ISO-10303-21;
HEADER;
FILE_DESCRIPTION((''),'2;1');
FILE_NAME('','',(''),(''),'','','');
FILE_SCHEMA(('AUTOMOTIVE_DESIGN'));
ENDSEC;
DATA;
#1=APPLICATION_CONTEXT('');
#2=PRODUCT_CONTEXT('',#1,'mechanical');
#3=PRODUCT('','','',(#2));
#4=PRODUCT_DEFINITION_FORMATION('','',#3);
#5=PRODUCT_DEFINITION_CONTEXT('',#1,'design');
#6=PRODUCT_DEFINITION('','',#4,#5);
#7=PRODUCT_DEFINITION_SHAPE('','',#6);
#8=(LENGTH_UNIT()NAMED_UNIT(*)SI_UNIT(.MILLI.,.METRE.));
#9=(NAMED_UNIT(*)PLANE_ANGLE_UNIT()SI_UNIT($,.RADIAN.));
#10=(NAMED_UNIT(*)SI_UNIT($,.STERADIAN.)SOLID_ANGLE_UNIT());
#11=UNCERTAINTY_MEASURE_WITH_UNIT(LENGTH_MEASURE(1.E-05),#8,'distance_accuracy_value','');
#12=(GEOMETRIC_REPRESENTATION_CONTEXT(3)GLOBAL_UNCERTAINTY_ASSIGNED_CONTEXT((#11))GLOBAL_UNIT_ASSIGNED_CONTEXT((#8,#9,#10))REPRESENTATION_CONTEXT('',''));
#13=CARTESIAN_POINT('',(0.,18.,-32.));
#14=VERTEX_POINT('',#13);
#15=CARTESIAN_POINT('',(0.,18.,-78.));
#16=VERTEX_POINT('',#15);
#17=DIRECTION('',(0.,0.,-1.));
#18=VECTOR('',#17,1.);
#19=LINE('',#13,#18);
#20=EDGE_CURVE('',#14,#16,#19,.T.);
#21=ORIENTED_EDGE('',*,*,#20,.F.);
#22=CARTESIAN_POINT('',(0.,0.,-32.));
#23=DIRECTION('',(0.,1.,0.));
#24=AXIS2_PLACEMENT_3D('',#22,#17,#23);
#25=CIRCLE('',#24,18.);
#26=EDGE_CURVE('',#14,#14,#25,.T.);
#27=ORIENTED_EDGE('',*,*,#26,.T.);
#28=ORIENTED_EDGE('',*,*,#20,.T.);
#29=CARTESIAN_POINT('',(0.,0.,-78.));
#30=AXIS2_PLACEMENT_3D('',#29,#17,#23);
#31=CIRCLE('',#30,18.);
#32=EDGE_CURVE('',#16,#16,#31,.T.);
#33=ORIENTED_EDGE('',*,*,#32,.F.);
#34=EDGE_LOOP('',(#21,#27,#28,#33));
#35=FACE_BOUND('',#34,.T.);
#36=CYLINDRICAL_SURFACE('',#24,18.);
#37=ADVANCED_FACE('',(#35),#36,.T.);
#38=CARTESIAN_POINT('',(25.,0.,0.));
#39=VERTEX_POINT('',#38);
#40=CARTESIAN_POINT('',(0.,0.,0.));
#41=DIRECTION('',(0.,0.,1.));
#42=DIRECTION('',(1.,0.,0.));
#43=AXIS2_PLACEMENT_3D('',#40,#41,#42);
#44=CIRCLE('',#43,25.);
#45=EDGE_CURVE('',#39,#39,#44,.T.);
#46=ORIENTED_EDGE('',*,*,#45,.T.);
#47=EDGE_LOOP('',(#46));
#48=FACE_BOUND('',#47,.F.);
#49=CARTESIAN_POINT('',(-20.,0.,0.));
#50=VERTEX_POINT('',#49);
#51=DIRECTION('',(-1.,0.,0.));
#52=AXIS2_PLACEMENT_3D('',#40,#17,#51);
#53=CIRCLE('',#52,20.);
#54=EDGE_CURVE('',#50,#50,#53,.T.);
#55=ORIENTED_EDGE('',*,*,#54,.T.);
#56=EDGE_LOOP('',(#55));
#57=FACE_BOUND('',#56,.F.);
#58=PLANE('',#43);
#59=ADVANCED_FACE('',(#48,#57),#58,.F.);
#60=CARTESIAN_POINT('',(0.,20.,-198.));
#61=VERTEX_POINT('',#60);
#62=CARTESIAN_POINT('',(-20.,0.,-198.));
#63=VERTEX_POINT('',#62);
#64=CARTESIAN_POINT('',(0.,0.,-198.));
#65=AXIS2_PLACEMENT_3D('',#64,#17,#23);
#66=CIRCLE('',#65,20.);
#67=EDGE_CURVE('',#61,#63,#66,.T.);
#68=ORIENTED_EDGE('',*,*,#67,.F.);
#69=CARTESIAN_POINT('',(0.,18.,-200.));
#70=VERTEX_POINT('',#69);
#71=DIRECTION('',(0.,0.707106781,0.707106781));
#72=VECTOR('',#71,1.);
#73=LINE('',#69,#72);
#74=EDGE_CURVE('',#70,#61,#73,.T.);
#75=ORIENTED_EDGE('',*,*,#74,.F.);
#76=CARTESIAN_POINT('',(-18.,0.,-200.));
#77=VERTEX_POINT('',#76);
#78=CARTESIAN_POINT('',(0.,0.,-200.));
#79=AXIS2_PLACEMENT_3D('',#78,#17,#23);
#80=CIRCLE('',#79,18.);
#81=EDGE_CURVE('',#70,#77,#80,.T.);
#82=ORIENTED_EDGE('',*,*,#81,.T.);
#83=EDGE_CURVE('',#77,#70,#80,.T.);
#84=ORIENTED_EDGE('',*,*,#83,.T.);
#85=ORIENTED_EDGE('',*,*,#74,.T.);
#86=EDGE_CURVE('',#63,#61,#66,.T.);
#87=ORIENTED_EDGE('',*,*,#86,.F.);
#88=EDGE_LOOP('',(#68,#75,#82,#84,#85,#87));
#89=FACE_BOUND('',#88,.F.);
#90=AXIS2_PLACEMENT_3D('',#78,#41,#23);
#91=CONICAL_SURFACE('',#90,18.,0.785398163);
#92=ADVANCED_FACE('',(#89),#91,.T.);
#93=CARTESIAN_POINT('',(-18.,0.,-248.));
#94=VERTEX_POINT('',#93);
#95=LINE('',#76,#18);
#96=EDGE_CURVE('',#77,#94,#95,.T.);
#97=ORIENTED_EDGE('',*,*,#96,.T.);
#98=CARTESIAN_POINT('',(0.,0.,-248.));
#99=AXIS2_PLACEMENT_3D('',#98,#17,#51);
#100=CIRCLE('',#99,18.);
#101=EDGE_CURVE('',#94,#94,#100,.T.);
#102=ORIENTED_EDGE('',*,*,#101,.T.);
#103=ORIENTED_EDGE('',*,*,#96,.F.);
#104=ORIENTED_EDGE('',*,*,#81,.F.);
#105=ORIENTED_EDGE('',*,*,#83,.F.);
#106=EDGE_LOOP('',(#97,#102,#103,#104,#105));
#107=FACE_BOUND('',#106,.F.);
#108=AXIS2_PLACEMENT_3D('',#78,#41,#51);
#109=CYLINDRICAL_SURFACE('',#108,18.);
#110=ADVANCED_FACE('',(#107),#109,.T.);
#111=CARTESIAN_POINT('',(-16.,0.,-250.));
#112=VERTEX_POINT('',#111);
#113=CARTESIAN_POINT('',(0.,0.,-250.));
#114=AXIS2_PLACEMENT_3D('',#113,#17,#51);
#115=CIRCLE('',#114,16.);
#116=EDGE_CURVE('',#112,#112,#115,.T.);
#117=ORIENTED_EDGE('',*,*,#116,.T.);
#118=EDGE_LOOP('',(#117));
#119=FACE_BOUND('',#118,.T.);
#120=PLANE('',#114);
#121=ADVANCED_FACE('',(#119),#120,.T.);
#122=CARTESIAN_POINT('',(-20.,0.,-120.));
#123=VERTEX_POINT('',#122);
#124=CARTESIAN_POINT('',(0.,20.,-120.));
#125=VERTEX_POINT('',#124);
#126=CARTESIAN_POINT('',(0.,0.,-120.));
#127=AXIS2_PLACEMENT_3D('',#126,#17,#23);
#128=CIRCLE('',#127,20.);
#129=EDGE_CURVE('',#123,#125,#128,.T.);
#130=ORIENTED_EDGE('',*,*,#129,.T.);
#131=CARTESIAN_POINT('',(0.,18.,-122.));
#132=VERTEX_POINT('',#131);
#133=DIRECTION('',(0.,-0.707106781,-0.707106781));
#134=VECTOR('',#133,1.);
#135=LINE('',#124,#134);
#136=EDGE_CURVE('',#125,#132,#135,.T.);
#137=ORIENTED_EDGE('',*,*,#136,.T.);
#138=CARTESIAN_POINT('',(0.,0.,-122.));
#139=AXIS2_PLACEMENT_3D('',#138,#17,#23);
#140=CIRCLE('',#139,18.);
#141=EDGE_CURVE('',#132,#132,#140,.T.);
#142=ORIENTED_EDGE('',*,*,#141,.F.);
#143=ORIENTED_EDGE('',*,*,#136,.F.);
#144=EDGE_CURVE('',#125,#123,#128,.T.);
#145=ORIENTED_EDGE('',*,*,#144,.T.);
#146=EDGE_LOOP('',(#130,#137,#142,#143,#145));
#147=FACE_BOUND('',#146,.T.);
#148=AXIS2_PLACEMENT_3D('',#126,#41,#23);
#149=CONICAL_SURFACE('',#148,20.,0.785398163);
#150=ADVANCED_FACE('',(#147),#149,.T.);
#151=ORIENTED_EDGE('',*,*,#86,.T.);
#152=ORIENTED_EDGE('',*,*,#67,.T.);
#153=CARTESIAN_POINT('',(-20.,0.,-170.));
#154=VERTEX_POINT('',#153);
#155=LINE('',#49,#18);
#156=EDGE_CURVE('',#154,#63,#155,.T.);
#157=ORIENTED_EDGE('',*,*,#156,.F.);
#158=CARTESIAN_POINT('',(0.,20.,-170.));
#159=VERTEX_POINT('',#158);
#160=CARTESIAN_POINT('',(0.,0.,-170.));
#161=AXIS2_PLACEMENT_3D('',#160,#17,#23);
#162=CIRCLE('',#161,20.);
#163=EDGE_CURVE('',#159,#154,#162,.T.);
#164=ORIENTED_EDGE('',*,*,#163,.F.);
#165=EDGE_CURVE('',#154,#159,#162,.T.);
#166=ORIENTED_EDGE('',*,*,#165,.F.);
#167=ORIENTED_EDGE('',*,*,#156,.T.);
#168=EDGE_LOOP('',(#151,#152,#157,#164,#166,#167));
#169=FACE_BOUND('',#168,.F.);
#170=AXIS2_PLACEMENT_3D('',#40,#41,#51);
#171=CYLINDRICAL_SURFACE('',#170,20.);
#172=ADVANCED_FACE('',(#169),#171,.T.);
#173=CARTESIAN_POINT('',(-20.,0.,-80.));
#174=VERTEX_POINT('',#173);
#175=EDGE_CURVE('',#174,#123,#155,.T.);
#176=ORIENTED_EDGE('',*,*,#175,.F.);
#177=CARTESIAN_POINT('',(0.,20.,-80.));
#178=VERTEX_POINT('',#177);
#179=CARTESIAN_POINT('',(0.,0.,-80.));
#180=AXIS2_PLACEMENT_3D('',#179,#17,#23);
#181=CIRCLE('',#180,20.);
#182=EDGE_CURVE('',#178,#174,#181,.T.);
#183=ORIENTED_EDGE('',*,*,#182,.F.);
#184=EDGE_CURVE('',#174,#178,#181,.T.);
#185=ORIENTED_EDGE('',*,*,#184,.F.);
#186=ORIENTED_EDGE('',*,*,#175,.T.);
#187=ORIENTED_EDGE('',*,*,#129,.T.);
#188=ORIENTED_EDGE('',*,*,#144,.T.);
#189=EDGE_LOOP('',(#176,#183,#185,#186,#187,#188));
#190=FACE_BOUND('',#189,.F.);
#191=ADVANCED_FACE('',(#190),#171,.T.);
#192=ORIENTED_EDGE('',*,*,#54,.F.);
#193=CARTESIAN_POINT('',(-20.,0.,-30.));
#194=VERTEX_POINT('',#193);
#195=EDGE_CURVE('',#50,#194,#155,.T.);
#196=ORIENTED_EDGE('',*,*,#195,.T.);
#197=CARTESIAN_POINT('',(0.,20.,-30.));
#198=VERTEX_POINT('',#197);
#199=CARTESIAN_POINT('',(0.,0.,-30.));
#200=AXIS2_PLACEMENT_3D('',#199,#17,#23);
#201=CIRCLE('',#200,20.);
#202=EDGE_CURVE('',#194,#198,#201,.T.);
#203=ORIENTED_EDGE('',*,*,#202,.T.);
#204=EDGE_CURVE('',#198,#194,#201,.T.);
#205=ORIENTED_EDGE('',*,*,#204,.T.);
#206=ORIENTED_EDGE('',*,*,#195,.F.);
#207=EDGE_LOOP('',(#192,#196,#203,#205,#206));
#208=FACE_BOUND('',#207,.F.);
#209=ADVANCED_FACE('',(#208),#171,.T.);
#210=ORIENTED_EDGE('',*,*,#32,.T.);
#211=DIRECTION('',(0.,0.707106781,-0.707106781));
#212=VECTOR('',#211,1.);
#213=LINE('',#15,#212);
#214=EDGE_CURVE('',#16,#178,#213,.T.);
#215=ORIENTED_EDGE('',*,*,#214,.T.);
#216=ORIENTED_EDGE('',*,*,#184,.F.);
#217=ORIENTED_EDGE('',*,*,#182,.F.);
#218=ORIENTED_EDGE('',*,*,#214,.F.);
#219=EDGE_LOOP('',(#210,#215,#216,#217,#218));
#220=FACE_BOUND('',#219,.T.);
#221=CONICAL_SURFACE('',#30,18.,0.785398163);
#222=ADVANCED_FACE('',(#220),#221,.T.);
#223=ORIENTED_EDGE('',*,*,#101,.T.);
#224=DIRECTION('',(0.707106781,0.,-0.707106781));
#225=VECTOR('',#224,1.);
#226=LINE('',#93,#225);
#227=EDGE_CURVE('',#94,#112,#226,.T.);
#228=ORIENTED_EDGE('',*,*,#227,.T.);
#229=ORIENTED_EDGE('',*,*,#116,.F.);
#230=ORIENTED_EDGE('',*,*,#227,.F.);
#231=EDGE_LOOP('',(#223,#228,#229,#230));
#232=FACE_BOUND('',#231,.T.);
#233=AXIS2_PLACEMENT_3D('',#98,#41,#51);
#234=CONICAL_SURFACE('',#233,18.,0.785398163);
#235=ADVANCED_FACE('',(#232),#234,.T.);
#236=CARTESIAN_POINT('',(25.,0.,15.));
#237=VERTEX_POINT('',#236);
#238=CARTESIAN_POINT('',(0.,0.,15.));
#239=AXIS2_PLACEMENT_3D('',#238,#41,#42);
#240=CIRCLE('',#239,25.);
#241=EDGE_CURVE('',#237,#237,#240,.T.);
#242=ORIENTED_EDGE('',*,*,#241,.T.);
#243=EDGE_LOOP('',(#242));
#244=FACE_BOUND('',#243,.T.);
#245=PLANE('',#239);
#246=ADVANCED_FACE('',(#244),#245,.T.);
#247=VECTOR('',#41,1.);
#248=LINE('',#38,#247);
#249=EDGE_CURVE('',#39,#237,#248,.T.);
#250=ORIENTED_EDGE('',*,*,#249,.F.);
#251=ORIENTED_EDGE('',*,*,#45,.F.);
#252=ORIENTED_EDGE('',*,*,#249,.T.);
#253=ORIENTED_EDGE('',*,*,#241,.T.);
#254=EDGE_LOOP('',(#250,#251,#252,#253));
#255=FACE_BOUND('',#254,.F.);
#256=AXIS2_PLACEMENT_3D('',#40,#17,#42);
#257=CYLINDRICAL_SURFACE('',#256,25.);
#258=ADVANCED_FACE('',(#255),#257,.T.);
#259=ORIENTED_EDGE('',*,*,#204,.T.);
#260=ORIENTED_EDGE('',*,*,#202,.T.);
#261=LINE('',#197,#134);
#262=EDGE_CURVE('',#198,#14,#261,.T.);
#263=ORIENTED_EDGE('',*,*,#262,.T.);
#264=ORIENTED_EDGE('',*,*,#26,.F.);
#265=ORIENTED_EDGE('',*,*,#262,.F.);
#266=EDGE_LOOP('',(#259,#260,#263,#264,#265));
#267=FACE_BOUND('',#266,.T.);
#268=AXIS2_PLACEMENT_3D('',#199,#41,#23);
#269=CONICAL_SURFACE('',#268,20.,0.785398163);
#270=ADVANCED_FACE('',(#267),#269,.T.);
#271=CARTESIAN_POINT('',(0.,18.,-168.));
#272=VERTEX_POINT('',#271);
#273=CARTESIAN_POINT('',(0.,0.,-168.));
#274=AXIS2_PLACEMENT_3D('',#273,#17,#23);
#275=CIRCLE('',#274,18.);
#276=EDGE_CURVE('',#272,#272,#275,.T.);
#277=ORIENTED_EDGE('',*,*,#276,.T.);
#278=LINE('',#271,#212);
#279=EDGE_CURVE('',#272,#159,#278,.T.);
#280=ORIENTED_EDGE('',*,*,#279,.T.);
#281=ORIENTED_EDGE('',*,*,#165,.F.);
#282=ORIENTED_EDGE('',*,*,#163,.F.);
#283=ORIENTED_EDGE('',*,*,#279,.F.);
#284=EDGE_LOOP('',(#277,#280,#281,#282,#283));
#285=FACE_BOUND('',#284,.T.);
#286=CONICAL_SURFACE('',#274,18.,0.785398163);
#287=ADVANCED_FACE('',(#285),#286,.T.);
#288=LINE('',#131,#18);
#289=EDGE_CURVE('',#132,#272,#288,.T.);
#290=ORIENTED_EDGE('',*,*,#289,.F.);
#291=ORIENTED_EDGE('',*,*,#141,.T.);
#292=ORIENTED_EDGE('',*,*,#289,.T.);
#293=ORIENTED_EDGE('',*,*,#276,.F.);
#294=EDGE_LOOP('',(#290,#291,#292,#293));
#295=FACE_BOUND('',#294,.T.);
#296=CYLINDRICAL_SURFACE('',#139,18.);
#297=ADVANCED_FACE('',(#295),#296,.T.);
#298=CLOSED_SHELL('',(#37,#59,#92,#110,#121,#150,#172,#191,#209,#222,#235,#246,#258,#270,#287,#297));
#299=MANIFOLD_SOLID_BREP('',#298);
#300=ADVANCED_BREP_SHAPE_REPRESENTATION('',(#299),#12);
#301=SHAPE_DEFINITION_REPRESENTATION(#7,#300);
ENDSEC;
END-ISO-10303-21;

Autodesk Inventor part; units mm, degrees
ref_plane "YZ Plane" through (0, 0, 0) normal (1, 0, 0) x (0, 1, 0)
ref_plane "XZ Plane" through (0, 0, 0) normal (0, 1, 0) x (-1, 0, 0)
ref_plane "XY Plane" through (0, 0, 0) normal (0, 0, 1) x (1, 0, 0)
sketch "Эскиз1" plane through (0, 0, 0) normal (0, 0, 1) x (1, 0, 0)
  circle A0 centre (0, 0) radius 25
  dimension "d0" = 50
extrude "Выдавливание1" add sketch "Эскиз1" along normal blind 15
sketch "Эскиз2" plane through (0, 0, 0) normal (0, 0, -1) x (-1, 0, 0)
  circle A0 centre (0, 0) radius 25 projected
  circle A1 centre (0, 0) radius 20
  dimension "d3" = 40
extrude "Выдавливание2" add sketch "Эскиз2" along normal blind 200 contours A1
sketch "Эскиз3" plane through (0, 0, 0) normal (1, 0, 0) x (0, 1, 0)
  line L0 (-20, -200) -> (20, -200) projected
  line L1 (20, 0) -> (-20, 0) projected
  line L2 (20, 0) -> (20, -200) projected
  line L3 (-20, 0) -> (-20, -200) projected
  line L4 (20, 0) -> (20, -30)
  line L5 (20, -30) -> (20, -30)
  line L6 (18, -32) -> (18, -78)
  line L7 (20, -80) -> (20, -80)
  line L8 (20, -80) -> (20, -120)
  line L9 (20, -120) -> (20, -120)
  line L10 (18, -122) -> (18, -168)
  line L11 (20, -170) -> (20, -170)
  line L12 (20, -30) -> (18, -32)
  line L13 (18, -78) -> (20, -80)
  line L14 (20, -120) -> (18, -122)
  line L15 (18, -168) -> (20, -170)
  line L16 (0, 0) -> (0, -14)
  line L17 (20, -200) -> (18, -200)
  line L18 (-20, -200) -> (20, -200) projected
  line L19 (18, -200) -> (20, -198)
  line L20 (20, 0) -> (20, -200) projected
  point P0 (18, -30)
  point P1 (18, -80)
  point P2 (18, -120)
  point P3 (18, -170)
  dimension "d6" = 30
  dimension "d7" = 2
  dimension "d8" = 50
  dimension "d9" = 40
  dimension "d10" = 50
  dimension "d11" = 2
  dimension "d12" = 2
  dimension "d13" = 2
  dimension "d14" = 2
  dimension "d15" = 2
  dimension "d16" = 2
  dimension "d17" = 2
  dimension "d18" = 2
  dimension "d27" = 2
revolve "Вращение1" cut sketch "Эскиз3" angle 360 about axis through (0, 0, 0) along (0, 0, -1) contours L19 L2 L0 | L15 L10 L14 L2 | L2 L13 L6 L12
sketch "Эскиз5" plane through (0, 0, -200) normal (0, 0, -1) x (-1, 0, 0)
  circle A0 centre (0, 0) radius 18 projected
extrude "Выдавливание4" add sketch "Эскиз5" along normal blind 50
thread "Резьба2" size "M36x4" class "6g" standard "ANSI Metric M Profile" full length
chamfer "Фаска2" distance 2 angle 45 1 edges at (18, 0, -250)
equation "\"d12\" = d11"
equation "\"d13\" = d11"
equation "\"d14\" = d13"
equation "\"d15\" = d11"
equation "\"d16\" = d15"
equation "\"d17\" = d11"
equation "\"d18\" = d17"
properties part number "Болт шатуна" material "Сталь, высокопрочная, низколегированная"
